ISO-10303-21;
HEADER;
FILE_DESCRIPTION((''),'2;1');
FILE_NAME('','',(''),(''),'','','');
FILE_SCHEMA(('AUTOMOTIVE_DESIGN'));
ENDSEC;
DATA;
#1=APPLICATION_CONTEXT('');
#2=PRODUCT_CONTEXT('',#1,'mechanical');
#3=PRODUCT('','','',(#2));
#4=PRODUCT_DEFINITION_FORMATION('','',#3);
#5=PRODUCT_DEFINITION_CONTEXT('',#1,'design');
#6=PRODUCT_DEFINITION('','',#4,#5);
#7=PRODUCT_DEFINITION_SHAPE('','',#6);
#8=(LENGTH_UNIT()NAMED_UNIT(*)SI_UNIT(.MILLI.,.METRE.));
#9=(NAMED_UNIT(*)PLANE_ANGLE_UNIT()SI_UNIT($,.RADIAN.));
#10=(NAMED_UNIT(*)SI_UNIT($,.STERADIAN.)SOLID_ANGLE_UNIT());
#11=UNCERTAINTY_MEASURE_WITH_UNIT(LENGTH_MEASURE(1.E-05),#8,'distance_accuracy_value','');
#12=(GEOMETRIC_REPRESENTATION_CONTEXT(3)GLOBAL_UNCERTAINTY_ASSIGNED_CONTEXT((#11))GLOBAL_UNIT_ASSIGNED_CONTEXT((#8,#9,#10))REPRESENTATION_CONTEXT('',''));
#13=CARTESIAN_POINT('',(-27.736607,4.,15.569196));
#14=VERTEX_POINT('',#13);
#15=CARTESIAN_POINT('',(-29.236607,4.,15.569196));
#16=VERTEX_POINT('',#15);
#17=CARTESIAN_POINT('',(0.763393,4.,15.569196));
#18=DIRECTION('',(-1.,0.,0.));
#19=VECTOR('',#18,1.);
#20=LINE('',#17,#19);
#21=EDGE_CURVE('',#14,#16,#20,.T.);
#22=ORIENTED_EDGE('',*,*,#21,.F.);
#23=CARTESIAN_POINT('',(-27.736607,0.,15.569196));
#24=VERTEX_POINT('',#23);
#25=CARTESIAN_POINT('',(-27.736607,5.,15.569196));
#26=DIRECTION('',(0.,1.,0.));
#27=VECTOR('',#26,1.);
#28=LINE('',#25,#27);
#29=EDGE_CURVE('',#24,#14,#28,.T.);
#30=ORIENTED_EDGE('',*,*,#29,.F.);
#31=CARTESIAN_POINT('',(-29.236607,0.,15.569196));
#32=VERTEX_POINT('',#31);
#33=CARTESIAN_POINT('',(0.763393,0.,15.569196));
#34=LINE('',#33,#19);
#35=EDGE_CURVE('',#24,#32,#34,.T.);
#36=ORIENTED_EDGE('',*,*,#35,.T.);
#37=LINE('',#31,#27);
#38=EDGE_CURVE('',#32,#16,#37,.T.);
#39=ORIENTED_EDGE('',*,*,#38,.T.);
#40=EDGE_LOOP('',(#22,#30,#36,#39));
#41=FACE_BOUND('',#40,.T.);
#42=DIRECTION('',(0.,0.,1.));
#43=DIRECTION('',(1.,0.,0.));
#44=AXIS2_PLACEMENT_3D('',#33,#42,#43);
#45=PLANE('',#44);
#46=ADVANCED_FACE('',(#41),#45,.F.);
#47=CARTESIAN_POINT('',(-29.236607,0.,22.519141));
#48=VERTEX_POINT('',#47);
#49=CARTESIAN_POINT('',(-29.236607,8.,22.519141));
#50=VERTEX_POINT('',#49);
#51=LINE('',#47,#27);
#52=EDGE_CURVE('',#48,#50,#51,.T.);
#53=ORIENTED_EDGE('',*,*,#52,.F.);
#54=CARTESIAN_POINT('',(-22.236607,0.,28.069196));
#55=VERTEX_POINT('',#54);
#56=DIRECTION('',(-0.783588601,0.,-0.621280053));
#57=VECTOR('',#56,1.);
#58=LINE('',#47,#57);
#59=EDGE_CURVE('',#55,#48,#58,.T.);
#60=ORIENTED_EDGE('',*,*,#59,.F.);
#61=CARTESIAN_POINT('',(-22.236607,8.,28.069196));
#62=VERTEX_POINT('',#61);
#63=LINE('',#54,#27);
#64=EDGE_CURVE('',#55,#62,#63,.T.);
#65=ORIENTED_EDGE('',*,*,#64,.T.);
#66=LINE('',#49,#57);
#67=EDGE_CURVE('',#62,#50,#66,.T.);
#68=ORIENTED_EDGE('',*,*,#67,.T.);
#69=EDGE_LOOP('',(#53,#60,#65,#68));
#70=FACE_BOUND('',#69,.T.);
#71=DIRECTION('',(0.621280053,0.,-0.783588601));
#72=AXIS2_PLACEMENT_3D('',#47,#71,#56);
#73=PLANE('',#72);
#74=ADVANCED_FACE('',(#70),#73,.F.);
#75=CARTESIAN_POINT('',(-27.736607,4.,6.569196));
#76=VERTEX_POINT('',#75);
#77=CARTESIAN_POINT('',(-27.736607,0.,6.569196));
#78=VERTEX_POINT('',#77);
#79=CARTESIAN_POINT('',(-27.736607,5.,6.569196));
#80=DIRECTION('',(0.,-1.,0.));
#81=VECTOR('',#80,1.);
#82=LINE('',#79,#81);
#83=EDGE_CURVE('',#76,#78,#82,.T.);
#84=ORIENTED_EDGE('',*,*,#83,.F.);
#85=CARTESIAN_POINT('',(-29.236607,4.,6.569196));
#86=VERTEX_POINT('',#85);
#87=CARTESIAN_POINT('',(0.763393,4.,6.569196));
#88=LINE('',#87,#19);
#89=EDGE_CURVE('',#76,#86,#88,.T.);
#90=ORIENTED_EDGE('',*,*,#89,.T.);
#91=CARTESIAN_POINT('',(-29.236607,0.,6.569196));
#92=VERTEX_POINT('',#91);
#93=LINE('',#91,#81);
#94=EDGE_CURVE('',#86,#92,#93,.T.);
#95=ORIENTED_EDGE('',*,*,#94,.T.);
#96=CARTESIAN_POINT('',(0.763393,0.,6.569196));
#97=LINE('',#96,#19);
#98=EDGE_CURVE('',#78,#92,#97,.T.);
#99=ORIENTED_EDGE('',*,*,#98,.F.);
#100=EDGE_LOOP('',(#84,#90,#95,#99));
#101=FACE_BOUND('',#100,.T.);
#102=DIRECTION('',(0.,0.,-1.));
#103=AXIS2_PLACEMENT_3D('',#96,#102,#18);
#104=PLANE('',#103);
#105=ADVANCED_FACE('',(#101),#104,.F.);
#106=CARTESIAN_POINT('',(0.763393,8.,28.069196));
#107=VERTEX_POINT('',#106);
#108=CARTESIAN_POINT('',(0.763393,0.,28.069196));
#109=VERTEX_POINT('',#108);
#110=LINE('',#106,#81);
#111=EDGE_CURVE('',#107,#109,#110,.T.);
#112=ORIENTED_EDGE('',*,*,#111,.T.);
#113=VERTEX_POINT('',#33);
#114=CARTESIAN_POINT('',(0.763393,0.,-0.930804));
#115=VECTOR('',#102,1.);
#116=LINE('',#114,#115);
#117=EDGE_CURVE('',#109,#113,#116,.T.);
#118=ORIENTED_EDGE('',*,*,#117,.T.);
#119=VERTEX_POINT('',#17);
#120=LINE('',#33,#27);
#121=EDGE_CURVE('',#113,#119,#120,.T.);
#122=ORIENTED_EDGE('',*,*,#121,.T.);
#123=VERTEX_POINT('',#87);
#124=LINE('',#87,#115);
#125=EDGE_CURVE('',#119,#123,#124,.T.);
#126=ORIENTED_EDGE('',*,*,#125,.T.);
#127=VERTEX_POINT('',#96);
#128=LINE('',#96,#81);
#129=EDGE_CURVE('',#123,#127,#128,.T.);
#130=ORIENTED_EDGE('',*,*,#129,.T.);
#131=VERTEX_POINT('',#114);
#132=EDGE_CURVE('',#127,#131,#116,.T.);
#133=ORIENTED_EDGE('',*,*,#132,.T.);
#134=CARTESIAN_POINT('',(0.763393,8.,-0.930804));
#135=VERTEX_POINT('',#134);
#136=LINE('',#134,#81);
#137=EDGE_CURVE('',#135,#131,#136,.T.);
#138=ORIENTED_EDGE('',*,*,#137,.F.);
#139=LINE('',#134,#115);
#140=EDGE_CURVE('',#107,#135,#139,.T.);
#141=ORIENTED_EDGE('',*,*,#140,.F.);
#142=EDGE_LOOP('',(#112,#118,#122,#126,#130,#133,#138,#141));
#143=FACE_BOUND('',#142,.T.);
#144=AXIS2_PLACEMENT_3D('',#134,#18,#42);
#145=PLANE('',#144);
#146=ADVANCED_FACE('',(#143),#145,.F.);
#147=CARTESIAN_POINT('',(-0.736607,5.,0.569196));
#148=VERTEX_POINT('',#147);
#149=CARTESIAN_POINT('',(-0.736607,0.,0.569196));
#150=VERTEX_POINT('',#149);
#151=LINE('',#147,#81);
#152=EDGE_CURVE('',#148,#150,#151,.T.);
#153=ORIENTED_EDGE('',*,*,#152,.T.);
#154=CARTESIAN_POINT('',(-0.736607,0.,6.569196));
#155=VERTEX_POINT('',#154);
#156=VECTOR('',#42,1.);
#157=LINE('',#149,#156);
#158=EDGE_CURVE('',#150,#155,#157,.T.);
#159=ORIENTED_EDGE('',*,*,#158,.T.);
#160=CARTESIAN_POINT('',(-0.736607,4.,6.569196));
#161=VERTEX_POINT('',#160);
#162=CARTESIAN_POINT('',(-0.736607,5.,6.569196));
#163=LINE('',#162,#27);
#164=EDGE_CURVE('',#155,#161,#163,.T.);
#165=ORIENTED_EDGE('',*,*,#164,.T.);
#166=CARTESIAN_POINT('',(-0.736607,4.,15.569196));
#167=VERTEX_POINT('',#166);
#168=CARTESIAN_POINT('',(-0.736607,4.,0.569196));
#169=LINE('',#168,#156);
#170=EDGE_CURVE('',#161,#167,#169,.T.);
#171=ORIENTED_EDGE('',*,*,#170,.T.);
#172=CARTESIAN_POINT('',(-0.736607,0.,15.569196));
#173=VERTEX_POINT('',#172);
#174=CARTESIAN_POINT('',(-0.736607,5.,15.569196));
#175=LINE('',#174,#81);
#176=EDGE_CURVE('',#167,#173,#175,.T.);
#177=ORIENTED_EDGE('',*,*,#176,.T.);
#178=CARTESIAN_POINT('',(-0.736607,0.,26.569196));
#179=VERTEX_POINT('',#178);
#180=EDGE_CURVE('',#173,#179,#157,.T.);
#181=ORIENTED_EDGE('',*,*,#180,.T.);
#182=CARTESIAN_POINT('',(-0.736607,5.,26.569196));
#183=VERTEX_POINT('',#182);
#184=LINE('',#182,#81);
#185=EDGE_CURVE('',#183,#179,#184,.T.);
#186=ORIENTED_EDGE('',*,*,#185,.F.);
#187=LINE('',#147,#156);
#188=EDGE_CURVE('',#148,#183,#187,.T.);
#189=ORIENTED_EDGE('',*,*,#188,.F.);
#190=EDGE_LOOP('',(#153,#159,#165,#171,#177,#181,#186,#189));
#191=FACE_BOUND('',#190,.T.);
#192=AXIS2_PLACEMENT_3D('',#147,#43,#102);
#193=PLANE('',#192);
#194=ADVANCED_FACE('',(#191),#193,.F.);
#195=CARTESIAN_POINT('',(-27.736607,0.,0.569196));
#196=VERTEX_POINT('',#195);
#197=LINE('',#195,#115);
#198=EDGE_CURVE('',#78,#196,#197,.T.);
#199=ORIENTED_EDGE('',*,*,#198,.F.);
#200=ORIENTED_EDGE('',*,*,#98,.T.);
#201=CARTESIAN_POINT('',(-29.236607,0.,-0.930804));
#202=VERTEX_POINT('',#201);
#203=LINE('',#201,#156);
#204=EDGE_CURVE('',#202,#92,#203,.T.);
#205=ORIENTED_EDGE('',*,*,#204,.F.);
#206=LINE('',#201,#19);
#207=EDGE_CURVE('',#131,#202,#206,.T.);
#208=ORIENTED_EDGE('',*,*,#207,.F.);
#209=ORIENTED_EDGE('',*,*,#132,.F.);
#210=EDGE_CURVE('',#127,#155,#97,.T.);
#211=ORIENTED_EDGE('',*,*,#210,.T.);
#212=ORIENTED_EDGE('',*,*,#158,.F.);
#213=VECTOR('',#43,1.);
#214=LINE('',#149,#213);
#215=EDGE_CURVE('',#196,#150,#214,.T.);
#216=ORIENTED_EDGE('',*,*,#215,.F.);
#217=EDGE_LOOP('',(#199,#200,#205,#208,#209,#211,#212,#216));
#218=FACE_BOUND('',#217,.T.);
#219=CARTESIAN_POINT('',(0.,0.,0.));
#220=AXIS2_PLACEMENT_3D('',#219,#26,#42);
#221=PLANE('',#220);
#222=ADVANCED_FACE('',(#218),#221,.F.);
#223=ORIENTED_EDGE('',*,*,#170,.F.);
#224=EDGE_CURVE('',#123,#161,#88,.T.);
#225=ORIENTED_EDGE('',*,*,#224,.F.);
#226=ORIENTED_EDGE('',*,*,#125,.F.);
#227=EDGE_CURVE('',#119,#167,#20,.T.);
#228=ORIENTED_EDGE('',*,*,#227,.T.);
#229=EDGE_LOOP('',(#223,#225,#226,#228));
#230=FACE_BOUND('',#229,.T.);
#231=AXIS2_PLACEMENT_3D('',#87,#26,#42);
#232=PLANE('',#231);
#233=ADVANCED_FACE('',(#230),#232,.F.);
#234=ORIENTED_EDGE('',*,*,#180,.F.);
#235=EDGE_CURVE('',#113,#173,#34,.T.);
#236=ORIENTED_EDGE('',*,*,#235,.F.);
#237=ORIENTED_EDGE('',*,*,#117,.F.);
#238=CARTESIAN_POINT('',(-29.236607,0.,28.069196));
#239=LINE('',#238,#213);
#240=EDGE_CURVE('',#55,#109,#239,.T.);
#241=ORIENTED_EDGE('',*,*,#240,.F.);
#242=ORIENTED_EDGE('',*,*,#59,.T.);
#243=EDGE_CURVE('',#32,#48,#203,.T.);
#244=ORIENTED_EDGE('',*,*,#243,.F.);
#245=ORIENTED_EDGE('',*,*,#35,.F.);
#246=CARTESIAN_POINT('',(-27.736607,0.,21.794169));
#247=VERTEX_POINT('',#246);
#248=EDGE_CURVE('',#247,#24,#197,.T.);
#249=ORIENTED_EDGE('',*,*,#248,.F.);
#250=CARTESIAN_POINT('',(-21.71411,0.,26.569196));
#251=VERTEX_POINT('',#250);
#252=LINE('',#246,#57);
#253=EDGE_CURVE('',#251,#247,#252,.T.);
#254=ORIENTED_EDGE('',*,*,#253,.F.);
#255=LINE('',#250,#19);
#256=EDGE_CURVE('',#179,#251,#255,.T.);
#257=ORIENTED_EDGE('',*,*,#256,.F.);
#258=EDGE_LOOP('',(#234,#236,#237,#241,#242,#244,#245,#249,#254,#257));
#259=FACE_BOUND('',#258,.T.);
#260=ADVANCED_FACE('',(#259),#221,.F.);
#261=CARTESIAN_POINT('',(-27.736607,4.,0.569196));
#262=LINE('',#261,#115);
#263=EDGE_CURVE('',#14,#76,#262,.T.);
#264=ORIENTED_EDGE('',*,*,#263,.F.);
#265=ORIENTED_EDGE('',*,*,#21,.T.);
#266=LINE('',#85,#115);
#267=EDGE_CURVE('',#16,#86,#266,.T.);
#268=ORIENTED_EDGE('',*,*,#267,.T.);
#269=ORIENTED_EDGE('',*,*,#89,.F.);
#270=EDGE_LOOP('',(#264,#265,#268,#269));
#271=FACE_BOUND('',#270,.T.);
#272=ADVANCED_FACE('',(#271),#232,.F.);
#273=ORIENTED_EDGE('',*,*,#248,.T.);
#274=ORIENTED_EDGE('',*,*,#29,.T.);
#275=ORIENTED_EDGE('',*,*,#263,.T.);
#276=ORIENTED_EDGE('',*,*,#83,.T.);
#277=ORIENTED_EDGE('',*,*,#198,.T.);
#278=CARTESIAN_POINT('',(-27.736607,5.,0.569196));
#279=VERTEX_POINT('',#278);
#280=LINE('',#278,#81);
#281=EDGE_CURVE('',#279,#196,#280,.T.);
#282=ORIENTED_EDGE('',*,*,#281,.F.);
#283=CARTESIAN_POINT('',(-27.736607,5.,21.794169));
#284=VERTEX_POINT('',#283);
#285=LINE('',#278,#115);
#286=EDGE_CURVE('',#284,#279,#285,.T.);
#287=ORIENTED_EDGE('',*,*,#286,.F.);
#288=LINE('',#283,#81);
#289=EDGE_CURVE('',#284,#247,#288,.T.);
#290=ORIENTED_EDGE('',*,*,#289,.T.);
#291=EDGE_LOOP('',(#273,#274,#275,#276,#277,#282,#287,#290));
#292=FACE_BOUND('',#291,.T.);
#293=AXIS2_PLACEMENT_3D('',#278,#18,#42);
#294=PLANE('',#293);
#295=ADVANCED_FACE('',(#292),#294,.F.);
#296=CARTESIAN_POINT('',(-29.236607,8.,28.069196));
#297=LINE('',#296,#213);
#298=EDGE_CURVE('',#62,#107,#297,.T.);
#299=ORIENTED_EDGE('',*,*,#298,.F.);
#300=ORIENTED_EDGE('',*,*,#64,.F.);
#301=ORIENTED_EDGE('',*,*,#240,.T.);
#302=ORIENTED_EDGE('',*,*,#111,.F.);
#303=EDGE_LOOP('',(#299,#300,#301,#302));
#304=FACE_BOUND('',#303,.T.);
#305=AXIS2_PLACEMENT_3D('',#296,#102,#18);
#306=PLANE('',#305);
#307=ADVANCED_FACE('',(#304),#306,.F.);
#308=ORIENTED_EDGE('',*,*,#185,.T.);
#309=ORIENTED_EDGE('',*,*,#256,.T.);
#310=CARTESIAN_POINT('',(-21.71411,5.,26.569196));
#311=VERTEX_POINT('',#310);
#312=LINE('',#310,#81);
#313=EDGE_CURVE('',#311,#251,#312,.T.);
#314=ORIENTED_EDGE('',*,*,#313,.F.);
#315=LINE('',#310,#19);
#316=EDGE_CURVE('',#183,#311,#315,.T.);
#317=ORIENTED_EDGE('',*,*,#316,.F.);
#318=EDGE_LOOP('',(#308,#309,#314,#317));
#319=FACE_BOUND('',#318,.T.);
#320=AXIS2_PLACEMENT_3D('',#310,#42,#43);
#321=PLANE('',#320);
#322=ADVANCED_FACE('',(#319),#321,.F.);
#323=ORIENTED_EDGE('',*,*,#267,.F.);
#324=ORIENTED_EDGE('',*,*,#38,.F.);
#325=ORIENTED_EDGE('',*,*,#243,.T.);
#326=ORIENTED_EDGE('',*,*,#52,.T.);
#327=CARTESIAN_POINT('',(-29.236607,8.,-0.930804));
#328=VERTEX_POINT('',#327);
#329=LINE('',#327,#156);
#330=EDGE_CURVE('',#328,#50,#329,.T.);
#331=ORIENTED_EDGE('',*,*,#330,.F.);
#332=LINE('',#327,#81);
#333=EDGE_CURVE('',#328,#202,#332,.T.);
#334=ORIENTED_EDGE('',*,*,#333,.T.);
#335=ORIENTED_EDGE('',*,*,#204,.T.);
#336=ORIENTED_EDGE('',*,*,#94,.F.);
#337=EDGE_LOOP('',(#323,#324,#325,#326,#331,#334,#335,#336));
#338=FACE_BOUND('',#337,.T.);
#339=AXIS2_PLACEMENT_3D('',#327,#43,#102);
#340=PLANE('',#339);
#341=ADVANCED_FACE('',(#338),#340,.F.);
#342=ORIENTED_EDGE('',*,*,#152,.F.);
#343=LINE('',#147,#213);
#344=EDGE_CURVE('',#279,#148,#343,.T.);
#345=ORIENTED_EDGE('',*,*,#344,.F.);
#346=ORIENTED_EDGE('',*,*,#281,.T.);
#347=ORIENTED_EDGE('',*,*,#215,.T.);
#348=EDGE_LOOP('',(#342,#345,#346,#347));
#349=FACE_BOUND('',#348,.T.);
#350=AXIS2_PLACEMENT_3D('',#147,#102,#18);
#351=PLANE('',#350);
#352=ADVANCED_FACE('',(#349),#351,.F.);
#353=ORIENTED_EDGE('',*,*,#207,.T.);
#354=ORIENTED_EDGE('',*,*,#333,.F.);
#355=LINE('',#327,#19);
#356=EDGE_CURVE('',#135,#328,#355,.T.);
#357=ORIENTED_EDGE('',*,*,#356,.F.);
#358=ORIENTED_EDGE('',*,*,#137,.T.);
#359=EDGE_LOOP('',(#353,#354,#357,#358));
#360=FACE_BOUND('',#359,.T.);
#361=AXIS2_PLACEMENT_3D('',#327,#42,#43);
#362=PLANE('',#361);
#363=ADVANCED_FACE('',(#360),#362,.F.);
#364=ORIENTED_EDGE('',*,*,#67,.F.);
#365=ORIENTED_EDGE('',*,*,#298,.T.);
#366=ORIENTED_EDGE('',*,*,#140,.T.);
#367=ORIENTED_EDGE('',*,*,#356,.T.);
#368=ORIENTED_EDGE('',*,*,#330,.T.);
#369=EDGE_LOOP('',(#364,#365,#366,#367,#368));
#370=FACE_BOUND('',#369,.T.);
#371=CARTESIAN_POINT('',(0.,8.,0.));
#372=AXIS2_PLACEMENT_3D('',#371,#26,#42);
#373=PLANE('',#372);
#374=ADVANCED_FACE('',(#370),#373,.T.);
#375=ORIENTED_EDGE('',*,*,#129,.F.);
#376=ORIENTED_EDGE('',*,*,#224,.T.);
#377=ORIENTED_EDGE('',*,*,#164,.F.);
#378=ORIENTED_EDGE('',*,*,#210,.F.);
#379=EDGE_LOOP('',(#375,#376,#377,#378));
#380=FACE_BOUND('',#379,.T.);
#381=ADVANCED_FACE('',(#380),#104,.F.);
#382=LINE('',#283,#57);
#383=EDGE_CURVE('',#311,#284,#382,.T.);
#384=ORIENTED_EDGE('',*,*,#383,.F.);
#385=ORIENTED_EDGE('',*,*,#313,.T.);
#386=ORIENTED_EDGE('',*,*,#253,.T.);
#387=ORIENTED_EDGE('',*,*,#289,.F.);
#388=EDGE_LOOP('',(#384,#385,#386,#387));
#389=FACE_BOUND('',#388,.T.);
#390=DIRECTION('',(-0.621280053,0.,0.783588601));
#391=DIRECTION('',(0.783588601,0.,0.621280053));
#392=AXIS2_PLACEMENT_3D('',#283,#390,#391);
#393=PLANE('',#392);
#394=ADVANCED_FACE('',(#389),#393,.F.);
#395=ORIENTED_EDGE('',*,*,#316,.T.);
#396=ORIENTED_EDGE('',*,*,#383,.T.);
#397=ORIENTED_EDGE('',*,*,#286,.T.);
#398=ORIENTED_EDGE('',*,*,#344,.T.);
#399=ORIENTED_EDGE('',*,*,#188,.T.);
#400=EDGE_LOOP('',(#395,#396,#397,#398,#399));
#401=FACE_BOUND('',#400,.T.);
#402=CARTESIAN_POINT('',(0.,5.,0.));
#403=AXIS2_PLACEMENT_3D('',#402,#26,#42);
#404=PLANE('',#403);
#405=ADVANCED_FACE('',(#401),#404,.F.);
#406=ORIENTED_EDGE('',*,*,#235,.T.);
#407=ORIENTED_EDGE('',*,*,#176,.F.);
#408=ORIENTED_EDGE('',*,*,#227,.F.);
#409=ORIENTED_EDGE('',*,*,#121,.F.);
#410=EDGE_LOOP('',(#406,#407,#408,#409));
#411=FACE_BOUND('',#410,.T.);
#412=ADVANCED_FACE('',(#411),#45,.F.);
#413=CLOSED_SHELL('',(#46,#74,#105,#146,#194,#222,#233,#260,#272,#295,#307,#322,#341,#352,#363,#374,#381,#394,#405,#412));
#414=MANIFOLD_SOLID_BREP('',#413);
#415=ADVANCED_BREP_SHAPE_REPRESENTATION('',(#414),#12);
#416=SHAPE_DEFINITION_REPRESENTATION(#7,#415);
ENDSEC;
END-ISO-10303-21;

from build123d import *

# Parameters (mm, degrees)
SKETCH1_W           = 30
SKETCH1_H           = 29
BOSS_EXTRUDE1_DEPTH = 8
SKETCH2_W           = 24
SKETCH2_H           = 8
CUT_EXTRUDE1_DEPTH  = 8
CUT_EXTRUDE2_DEPTH  = 8
CUT_EXTRUDE3_DEPTH  = 5
SKETCH5_W           = 9
SKETCH5_H           = 4
CUT_EXTRUDE4_DEPTH  = 30
SKETCH2_2_W         = 24
SKETCH2_2_H         = 8
BOSS_EXTRUDE2_DEPTH = 3


with BuildPart() as part:
    # Sketch1 → Boss-Extrude1 (new body)
    with BuildSketch(Plane(origin=(0, 0, 0), x_dir=(1, 0, 0), z_dir=(0, 1, 0))):
        with Locations((-14.236607143, -13.569196429)):
            Rectangle(SKETCH1_W, SKETCH1_H)
    extrude(amount=BOSS_EXTRUDE1_DEPTH)

    # Sketch2 → Cut-Extrude1 (cut)
    with BuildSketch(Plane(origin=(0, 8, 0), x_dir=(1, 0, 0), z_dir=(0, 1, 0))):
        with Locations((-14.236607143, -6.069196429)):
            Rectangle(SKETCH2_W, SKETCH2_H)
        with Locations((-14.236607143, -17.069196429)):
            Rectangle(SKETCH2_W, SKETCH2_H)
    extrude(amount=-CUT_EXTRUDE1_DEPTH, mode=Mode.SUBTRACT)

    # Sketch3 → Cut-Extrude2 (cut)
    with BuildSketch(Plane(origin=(0, 8, 0), x_dir=(1, 0, 0), z_dir=(0, 1, 0))):
        Polygon((-29.236607143, -22.519140749), (-22.236607143, -28.069196429), (-29.236607143, -28.069196429), align=None)
    extrude(amount=-CUT_EXTRUDE2_DEPTH, mode=Mode.SUBTRACT)

    # Sketch4 → Cut-Extrude3 (cut)
    with BuildSketch(Plane.XZ):
        Polygon((-0.736607143, 0.569196429), (-27.736607143, 0.569196429), (-27.736607143, 21.794168589), (-21.714109927, 26.569196429), (-0.736607143, 26.569196429), align=None)
    extrude(amount=-CUT_EXTRUDE3_DEPTH, mode=Mode.SUBTRACT)

    # Sketch5 → Cut-Extrude4 (cut)
    with BuildSketch(Plane.ZY.offset(29.236607143)):
        with Locations((11.069196429, 2)):
            Rectangle(SKETCH5_W, SKETCH5_H)
    extrude(amount=-CUT_EXTRUDE4_DEPTH, mode=Mode.SUBTRACT)

    # Sketch2<2> → Boss-Extrude2 (add)
    with BuildSketch(Plane(origin=(0, 8, 0), x_dir=(1, 0, 0), z_dir=(0, 1, 0))):
        with Locations((-14.236607143, -6.069196429)):
            Rectangle(SKETCH2_2_W, SKETCH2_2_H)
        with Locations((-14.236607143, -17.069196429)):
            Rectangle(SKETCH2_2_W, SKETCH2_2_H)
    extrude(amount=-BOSS_EXTRUDE2_DEPTH)


solid = part.part
